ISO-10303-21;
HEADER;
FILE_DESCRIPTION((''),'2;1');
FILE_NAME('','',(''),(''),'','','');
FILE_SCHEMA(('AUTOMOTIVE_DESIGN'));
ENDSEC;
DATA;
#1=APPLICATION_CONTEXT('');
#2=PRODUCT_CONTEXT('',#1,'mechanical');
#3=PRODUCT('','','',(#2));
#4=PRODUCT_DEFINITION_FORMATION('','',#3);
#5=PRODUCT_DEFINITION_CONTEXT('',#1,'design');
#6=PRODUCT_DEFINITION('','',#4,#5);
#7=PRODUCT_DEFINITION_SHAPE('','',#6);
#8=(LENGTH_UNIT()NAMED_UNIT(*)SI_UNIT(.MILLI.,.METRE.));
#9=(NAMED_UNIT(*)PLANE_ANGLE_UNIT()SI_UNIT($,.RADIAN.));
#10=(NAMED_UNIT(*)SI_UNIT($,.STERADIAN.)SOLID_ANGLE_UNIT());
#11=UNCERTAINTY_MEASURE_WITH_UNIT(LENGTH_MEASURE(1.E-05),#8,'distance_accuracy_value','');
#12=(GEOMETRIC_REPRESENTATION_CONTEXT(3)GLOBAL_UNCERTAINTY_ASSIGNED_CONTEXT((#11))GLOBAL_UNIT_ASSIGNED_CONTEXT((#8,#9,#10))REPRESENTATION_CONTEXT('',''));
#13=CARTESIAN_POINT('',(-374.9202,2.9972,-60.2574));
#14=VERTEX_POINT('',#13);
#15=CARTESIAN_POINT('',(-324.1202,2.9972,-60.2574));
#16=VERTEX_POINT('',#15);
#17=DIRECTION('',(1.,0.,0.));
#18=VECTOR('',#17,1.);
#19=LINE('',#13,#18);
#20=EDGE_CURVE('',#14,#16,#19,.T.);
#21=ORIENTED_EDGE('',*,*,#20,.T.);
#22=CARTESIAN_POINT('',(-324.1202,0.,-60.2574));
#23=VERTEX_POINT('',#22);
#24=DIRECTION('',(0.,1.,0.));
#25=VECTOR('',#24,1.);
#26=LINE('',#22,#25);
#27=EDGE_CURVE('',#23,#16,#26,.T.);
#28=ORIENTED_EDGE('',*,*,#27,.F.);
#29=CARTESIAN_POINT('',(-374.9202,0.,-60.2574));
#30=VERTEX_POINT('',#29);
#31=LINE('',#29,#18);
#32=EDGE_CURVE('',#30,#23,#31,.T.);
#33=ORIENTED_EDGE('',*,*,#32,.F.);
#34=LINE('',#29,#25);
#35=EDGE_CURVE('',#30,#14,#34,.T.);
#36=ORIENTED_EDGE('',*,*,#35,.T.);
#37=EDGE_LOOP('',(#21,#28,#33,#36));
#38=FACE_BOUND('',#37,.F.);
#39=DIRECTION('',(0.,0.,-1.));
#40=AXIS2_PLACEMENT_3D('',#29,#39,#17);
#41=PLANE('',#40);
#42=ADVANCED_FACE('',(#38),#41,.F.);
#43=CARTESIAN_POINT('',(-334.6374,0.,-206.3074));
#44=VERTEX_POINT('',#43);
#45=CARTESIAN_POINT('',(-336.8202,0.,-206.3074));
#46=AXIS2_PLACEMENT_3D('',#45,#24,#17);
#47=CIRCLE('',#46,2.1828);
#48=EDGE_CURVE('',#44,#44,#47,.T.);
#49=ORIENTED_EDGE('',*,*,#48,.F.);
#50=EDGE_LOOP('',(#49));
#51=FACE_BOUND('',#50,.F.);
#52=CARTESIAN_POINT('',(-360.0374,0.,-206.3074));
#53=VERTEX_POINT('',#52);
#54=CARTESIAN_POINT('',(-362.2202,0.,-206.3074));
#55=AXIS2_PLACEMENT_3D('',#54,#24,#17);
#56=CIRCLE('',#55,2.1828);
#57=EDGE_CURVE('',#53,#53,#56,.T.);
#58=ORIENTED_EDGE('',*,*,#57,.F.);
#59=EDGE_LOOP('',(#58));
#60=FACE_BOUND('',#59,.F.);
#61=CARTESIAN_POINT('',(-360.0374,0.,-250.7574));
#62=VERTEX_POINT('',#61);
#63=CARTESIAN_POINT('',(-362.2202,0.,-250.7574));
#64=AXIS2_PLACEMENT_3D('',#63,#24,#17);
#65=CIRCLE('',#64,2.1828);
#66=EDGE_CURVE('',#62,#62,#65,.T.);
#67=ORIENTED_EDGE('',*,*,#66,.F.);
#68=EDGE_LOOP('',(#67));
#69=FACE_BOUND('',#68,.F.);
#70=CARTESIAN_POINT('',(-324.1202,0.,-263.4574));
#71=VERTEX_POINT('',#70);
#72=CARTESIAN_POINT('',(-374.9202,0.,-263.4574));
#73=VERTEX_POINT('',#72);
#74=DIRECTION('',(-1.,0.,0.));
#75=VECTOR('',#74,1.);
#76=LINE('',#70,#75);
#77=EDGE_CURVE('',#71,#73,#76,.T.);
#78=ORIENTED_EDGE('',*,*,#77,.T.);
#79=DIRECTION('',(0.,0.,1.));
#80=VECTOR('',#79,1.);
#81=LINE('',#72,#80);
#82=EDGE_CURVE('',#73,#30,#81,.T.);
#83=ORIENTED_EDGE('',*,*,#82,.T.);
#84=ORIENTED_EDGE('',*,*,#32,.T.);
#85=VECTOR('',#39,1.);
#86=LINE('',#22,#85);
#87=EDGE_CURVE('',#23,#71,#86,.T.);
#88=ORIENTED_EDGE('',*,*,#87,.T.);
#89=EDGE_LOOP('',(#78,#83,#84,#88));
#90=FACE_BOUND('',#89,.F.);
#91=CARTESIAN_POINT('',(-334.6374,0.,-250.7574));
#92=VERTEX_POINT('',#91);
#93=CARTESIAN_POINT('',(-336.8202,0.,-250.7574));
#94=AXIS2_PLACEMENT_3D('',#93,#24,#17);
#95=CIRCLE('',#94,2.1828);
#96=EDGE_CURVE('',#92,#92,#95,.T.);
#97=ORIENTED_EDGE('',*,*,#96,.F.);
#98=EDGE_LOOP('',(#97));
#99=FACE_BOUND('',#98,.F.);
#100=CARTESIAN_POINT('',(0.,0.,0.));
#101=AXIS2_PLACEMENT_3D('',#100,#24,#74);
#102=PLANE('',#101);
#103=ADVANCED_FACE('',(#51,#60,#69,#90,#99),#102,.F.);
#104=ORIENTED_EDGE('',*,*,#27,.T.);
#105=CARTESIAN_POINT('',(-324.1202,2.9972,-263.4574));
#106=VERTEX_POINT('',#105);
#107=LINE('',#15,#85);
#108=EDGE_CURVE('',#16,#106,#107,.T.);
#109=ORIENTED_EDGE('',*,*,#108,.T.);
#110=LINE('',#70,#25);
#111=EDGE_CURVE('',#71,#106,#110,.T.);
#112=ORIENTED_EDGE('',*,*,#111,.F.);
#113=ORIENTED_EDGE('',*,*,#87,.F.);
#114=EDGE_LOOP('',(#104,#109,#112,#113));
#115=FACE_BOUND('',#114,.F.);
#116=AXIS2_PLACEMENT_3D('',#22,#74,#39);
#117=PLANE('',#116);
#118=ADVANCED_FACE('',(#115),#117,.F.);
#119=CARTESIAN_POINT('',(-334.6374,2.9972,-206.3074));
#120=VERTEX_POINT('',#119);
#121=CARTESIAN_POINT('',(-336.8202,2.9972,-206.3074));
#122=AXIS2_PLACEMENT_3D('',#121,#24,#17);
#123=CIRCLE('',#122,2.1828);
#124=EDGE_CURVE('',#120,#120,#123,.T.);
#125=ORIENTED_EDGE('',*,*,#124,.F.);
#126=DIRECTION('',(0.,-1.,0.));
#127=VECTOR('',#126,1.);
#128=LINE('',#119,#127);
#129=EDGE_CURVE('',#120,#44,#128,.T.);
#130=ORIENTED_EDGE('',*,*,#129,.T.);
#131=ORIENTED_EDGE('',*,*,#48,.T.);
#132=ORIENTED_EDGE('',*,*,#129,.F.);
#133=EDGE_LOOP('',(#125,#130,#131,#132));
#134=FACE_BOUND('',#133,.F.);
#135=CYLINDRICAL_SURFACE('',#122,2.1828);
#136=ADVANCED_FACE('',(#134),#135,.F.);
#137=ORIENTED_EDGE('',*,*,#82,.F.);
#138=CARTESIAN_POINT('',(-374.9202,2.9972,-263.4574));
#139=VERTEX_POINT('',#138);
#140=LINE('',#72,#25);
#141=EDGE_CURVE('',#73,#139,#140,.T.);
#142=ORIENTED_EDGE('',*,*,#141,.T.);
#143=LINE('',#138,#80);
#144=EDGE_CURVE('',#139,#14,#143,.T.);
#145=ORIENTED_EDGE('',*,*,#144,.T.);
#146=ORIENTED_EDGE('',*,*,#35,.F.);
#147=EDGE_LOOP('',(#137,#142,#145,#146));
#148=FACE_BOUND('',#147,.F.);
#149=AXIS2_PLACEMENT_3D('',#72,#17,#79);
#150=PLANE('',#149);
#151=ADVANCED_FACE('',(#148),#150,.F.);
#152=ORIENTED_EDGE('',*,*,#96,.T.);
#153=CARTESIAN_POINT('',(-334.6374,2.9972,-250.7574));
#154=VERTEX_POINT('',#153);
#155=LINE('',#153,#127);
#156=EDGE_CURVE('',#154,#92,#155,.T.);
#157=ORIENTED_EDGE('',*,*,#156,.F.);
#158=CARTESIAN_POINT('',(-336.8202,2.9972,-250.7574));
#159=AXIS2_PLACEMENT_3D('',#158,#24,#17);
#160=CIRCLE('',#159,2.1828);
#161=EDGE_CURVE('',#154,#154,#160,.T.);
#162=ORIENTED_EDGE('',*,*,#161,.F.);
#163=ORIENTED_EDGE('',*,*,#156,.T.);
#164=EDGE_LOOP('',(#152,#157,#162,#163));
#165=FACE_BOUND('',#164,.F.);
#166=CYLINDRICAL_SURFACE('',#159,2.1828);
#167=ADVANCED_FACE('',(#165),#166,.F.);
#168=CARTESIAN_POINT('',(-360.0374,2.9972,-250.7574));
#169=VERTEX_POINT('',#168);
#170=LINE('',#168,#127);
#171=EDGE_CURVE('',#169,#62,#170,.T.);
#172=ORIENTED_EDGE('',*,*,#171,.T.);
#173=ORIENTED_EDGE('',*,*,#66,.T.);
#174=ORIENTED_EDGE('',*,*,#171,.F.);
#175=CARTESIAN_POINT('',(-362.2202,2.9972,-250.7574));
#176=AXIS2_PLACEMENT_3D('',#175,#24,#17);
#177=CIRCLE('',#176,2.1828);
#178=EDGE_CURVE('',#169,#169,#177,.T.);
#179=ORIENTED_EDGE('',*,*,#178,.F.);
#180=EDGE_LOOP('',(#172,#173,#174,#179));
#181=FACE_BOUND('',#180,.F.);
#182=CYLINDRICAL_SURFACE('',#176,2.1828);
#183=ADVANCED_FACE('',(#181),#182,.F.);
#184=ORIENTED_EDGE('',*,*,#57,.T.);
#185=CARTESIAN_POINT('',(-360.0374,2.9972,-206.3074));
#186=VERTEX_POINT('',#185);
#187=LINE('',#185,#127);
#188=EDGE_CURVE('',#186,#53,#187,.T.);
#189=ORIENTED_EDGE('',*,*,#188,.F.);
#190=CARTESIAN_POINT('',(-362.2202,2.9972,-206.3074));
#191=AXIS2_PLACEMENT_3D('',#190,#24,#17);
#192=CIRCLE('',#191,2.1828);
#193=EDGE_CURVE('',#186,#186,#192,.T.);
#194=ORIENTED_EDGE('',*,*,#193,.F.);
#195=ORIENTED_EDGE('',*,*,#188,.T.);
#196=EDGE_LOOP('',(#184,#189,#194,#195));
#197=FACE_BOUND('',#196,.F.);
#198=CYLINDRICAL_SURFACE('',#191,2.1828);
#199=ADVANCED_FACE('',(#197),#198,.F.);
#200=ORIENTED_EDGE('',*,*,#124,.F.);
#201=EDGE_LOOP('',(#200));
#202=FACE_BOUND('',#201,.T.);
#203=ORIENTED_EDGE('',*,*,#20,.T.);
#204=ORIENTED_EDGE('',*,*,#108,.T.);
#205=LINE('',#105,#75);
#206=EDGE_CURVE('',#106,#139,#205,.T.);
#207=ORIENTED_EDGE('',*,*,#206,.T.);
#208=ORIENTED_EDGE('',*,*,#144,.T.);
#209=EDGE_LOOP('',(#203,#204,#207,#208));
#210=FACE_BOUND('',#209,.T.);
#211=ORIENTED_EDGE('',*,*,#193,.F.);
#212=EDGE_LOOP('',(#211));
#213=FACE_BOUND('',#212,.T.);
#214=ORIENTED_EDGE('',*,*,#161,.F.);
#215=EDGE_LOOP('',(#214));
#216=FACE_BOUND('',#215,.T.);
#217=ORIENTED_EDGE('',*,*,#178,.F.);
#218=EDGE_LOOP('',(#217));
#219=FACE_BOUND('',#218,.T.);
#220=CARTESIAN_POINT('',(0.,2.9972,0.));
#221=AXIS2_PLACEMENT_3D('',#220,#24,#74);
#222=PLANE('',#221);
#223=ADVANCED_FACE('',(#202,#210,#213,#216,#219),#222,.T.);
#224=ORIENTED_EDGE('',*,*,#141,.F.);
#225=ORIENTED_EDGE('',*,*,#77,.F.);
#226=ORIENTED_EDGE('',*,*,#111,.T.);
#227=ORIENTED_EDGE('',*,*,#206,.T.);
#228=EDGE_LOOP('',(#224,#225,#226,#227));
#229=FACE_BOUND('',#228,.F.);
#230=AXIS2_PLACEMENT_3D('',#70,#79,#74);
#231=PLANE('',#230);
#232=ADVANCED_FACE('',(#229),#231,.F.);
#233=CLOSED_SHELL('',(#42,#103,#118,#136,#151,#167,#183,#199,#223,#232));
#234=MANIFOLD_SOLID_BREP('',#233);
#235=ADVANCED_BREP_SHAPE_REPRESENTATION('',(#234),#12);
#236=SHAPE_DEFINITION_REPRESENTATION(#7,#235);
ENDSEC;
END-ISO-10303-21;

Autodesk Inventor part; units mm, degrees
ref_plane "YZ Plane" through (0, 0, 0) normal (1, 0, 0) x (0, 1, 0)
ref_plane "XZ Plane" through (0, 0, 0) normal (0, 1, 0) x (-1, 0, 0)
ref_plane "XY Plane" through (0, 0, 0) normal (0, 0, 1) x (1, 0, 0)
sketch "Sketch1" plane through (0, 0, 0) normal (0, 1, 0) x (-1, 0, 0)
  line L0 (374.9202, -60.2574) -> (324.1202, -60.2574)
  line L1 (324.1202, -60.2574) -> (324.1202, -263.4574)
  line L2 (324.1202, -263.4574) -> (374.9202, -263.4574)
  line L3 (374.9202, -263.4574) -> (374.9202, -60.2574)
  point P0 (0, 0)
  dimension "d0" = 203.2
  dimension "d1" = 50.8
extrude "Extrusion1" add sketch "Sketch1" along normal blind 2.9972
sketch "Sketch2" plane through (0, 2.9972, 0) normal (0, 1, 0) x (1, 0, 0)
  line L0 (-336.8202, 206.3074) -> (-362.2202, 206.3074) construction
  line L1 (-362.2202, 206.3074) -> (-362.2202, 250.7574) construction
  line L2 (-362.2202, 250.7574) -> (-336.8202, 250.7574) construction
  line L3 (-336.8202, 250.7574) -> (-336.8202, 206.3074) construction
  line L4 (-336.8202, 206.3074) -> (-362.2202, 250.7574) construction
  line L5 (-362.2202, 206.3074) -> (-336.8202, 250.7574) construction
  line L6 (-324.1202, 263.4574) -> (-374.9202, 263.4574) projected
  line L7 (-349.5202, 228.5324) -> (-349.5202, 263.4574) construction
  circle A0 centre (-362.2202, 250.7574) radius 2.1828
  circle A1 centre (-336.8202, 250.7574) radius 2.1828
  circle A2 centre (-336.8202, 206.3074) radius 2.1828
  circle A3 centre (-362.2202, 206.3074) radius 2.1828
  point P0 (0, 0)
  dimension "d4" = 25.4
  dimension "d5" = 44.45
  dimension "d6" = 12.7
  dimension "d7" = 4.3656
extrude "Extrusion2" cut sketch "Sketch2" against normal through all
properties part number "8x2 Lexan" material "Polycarbonate, Clear"
